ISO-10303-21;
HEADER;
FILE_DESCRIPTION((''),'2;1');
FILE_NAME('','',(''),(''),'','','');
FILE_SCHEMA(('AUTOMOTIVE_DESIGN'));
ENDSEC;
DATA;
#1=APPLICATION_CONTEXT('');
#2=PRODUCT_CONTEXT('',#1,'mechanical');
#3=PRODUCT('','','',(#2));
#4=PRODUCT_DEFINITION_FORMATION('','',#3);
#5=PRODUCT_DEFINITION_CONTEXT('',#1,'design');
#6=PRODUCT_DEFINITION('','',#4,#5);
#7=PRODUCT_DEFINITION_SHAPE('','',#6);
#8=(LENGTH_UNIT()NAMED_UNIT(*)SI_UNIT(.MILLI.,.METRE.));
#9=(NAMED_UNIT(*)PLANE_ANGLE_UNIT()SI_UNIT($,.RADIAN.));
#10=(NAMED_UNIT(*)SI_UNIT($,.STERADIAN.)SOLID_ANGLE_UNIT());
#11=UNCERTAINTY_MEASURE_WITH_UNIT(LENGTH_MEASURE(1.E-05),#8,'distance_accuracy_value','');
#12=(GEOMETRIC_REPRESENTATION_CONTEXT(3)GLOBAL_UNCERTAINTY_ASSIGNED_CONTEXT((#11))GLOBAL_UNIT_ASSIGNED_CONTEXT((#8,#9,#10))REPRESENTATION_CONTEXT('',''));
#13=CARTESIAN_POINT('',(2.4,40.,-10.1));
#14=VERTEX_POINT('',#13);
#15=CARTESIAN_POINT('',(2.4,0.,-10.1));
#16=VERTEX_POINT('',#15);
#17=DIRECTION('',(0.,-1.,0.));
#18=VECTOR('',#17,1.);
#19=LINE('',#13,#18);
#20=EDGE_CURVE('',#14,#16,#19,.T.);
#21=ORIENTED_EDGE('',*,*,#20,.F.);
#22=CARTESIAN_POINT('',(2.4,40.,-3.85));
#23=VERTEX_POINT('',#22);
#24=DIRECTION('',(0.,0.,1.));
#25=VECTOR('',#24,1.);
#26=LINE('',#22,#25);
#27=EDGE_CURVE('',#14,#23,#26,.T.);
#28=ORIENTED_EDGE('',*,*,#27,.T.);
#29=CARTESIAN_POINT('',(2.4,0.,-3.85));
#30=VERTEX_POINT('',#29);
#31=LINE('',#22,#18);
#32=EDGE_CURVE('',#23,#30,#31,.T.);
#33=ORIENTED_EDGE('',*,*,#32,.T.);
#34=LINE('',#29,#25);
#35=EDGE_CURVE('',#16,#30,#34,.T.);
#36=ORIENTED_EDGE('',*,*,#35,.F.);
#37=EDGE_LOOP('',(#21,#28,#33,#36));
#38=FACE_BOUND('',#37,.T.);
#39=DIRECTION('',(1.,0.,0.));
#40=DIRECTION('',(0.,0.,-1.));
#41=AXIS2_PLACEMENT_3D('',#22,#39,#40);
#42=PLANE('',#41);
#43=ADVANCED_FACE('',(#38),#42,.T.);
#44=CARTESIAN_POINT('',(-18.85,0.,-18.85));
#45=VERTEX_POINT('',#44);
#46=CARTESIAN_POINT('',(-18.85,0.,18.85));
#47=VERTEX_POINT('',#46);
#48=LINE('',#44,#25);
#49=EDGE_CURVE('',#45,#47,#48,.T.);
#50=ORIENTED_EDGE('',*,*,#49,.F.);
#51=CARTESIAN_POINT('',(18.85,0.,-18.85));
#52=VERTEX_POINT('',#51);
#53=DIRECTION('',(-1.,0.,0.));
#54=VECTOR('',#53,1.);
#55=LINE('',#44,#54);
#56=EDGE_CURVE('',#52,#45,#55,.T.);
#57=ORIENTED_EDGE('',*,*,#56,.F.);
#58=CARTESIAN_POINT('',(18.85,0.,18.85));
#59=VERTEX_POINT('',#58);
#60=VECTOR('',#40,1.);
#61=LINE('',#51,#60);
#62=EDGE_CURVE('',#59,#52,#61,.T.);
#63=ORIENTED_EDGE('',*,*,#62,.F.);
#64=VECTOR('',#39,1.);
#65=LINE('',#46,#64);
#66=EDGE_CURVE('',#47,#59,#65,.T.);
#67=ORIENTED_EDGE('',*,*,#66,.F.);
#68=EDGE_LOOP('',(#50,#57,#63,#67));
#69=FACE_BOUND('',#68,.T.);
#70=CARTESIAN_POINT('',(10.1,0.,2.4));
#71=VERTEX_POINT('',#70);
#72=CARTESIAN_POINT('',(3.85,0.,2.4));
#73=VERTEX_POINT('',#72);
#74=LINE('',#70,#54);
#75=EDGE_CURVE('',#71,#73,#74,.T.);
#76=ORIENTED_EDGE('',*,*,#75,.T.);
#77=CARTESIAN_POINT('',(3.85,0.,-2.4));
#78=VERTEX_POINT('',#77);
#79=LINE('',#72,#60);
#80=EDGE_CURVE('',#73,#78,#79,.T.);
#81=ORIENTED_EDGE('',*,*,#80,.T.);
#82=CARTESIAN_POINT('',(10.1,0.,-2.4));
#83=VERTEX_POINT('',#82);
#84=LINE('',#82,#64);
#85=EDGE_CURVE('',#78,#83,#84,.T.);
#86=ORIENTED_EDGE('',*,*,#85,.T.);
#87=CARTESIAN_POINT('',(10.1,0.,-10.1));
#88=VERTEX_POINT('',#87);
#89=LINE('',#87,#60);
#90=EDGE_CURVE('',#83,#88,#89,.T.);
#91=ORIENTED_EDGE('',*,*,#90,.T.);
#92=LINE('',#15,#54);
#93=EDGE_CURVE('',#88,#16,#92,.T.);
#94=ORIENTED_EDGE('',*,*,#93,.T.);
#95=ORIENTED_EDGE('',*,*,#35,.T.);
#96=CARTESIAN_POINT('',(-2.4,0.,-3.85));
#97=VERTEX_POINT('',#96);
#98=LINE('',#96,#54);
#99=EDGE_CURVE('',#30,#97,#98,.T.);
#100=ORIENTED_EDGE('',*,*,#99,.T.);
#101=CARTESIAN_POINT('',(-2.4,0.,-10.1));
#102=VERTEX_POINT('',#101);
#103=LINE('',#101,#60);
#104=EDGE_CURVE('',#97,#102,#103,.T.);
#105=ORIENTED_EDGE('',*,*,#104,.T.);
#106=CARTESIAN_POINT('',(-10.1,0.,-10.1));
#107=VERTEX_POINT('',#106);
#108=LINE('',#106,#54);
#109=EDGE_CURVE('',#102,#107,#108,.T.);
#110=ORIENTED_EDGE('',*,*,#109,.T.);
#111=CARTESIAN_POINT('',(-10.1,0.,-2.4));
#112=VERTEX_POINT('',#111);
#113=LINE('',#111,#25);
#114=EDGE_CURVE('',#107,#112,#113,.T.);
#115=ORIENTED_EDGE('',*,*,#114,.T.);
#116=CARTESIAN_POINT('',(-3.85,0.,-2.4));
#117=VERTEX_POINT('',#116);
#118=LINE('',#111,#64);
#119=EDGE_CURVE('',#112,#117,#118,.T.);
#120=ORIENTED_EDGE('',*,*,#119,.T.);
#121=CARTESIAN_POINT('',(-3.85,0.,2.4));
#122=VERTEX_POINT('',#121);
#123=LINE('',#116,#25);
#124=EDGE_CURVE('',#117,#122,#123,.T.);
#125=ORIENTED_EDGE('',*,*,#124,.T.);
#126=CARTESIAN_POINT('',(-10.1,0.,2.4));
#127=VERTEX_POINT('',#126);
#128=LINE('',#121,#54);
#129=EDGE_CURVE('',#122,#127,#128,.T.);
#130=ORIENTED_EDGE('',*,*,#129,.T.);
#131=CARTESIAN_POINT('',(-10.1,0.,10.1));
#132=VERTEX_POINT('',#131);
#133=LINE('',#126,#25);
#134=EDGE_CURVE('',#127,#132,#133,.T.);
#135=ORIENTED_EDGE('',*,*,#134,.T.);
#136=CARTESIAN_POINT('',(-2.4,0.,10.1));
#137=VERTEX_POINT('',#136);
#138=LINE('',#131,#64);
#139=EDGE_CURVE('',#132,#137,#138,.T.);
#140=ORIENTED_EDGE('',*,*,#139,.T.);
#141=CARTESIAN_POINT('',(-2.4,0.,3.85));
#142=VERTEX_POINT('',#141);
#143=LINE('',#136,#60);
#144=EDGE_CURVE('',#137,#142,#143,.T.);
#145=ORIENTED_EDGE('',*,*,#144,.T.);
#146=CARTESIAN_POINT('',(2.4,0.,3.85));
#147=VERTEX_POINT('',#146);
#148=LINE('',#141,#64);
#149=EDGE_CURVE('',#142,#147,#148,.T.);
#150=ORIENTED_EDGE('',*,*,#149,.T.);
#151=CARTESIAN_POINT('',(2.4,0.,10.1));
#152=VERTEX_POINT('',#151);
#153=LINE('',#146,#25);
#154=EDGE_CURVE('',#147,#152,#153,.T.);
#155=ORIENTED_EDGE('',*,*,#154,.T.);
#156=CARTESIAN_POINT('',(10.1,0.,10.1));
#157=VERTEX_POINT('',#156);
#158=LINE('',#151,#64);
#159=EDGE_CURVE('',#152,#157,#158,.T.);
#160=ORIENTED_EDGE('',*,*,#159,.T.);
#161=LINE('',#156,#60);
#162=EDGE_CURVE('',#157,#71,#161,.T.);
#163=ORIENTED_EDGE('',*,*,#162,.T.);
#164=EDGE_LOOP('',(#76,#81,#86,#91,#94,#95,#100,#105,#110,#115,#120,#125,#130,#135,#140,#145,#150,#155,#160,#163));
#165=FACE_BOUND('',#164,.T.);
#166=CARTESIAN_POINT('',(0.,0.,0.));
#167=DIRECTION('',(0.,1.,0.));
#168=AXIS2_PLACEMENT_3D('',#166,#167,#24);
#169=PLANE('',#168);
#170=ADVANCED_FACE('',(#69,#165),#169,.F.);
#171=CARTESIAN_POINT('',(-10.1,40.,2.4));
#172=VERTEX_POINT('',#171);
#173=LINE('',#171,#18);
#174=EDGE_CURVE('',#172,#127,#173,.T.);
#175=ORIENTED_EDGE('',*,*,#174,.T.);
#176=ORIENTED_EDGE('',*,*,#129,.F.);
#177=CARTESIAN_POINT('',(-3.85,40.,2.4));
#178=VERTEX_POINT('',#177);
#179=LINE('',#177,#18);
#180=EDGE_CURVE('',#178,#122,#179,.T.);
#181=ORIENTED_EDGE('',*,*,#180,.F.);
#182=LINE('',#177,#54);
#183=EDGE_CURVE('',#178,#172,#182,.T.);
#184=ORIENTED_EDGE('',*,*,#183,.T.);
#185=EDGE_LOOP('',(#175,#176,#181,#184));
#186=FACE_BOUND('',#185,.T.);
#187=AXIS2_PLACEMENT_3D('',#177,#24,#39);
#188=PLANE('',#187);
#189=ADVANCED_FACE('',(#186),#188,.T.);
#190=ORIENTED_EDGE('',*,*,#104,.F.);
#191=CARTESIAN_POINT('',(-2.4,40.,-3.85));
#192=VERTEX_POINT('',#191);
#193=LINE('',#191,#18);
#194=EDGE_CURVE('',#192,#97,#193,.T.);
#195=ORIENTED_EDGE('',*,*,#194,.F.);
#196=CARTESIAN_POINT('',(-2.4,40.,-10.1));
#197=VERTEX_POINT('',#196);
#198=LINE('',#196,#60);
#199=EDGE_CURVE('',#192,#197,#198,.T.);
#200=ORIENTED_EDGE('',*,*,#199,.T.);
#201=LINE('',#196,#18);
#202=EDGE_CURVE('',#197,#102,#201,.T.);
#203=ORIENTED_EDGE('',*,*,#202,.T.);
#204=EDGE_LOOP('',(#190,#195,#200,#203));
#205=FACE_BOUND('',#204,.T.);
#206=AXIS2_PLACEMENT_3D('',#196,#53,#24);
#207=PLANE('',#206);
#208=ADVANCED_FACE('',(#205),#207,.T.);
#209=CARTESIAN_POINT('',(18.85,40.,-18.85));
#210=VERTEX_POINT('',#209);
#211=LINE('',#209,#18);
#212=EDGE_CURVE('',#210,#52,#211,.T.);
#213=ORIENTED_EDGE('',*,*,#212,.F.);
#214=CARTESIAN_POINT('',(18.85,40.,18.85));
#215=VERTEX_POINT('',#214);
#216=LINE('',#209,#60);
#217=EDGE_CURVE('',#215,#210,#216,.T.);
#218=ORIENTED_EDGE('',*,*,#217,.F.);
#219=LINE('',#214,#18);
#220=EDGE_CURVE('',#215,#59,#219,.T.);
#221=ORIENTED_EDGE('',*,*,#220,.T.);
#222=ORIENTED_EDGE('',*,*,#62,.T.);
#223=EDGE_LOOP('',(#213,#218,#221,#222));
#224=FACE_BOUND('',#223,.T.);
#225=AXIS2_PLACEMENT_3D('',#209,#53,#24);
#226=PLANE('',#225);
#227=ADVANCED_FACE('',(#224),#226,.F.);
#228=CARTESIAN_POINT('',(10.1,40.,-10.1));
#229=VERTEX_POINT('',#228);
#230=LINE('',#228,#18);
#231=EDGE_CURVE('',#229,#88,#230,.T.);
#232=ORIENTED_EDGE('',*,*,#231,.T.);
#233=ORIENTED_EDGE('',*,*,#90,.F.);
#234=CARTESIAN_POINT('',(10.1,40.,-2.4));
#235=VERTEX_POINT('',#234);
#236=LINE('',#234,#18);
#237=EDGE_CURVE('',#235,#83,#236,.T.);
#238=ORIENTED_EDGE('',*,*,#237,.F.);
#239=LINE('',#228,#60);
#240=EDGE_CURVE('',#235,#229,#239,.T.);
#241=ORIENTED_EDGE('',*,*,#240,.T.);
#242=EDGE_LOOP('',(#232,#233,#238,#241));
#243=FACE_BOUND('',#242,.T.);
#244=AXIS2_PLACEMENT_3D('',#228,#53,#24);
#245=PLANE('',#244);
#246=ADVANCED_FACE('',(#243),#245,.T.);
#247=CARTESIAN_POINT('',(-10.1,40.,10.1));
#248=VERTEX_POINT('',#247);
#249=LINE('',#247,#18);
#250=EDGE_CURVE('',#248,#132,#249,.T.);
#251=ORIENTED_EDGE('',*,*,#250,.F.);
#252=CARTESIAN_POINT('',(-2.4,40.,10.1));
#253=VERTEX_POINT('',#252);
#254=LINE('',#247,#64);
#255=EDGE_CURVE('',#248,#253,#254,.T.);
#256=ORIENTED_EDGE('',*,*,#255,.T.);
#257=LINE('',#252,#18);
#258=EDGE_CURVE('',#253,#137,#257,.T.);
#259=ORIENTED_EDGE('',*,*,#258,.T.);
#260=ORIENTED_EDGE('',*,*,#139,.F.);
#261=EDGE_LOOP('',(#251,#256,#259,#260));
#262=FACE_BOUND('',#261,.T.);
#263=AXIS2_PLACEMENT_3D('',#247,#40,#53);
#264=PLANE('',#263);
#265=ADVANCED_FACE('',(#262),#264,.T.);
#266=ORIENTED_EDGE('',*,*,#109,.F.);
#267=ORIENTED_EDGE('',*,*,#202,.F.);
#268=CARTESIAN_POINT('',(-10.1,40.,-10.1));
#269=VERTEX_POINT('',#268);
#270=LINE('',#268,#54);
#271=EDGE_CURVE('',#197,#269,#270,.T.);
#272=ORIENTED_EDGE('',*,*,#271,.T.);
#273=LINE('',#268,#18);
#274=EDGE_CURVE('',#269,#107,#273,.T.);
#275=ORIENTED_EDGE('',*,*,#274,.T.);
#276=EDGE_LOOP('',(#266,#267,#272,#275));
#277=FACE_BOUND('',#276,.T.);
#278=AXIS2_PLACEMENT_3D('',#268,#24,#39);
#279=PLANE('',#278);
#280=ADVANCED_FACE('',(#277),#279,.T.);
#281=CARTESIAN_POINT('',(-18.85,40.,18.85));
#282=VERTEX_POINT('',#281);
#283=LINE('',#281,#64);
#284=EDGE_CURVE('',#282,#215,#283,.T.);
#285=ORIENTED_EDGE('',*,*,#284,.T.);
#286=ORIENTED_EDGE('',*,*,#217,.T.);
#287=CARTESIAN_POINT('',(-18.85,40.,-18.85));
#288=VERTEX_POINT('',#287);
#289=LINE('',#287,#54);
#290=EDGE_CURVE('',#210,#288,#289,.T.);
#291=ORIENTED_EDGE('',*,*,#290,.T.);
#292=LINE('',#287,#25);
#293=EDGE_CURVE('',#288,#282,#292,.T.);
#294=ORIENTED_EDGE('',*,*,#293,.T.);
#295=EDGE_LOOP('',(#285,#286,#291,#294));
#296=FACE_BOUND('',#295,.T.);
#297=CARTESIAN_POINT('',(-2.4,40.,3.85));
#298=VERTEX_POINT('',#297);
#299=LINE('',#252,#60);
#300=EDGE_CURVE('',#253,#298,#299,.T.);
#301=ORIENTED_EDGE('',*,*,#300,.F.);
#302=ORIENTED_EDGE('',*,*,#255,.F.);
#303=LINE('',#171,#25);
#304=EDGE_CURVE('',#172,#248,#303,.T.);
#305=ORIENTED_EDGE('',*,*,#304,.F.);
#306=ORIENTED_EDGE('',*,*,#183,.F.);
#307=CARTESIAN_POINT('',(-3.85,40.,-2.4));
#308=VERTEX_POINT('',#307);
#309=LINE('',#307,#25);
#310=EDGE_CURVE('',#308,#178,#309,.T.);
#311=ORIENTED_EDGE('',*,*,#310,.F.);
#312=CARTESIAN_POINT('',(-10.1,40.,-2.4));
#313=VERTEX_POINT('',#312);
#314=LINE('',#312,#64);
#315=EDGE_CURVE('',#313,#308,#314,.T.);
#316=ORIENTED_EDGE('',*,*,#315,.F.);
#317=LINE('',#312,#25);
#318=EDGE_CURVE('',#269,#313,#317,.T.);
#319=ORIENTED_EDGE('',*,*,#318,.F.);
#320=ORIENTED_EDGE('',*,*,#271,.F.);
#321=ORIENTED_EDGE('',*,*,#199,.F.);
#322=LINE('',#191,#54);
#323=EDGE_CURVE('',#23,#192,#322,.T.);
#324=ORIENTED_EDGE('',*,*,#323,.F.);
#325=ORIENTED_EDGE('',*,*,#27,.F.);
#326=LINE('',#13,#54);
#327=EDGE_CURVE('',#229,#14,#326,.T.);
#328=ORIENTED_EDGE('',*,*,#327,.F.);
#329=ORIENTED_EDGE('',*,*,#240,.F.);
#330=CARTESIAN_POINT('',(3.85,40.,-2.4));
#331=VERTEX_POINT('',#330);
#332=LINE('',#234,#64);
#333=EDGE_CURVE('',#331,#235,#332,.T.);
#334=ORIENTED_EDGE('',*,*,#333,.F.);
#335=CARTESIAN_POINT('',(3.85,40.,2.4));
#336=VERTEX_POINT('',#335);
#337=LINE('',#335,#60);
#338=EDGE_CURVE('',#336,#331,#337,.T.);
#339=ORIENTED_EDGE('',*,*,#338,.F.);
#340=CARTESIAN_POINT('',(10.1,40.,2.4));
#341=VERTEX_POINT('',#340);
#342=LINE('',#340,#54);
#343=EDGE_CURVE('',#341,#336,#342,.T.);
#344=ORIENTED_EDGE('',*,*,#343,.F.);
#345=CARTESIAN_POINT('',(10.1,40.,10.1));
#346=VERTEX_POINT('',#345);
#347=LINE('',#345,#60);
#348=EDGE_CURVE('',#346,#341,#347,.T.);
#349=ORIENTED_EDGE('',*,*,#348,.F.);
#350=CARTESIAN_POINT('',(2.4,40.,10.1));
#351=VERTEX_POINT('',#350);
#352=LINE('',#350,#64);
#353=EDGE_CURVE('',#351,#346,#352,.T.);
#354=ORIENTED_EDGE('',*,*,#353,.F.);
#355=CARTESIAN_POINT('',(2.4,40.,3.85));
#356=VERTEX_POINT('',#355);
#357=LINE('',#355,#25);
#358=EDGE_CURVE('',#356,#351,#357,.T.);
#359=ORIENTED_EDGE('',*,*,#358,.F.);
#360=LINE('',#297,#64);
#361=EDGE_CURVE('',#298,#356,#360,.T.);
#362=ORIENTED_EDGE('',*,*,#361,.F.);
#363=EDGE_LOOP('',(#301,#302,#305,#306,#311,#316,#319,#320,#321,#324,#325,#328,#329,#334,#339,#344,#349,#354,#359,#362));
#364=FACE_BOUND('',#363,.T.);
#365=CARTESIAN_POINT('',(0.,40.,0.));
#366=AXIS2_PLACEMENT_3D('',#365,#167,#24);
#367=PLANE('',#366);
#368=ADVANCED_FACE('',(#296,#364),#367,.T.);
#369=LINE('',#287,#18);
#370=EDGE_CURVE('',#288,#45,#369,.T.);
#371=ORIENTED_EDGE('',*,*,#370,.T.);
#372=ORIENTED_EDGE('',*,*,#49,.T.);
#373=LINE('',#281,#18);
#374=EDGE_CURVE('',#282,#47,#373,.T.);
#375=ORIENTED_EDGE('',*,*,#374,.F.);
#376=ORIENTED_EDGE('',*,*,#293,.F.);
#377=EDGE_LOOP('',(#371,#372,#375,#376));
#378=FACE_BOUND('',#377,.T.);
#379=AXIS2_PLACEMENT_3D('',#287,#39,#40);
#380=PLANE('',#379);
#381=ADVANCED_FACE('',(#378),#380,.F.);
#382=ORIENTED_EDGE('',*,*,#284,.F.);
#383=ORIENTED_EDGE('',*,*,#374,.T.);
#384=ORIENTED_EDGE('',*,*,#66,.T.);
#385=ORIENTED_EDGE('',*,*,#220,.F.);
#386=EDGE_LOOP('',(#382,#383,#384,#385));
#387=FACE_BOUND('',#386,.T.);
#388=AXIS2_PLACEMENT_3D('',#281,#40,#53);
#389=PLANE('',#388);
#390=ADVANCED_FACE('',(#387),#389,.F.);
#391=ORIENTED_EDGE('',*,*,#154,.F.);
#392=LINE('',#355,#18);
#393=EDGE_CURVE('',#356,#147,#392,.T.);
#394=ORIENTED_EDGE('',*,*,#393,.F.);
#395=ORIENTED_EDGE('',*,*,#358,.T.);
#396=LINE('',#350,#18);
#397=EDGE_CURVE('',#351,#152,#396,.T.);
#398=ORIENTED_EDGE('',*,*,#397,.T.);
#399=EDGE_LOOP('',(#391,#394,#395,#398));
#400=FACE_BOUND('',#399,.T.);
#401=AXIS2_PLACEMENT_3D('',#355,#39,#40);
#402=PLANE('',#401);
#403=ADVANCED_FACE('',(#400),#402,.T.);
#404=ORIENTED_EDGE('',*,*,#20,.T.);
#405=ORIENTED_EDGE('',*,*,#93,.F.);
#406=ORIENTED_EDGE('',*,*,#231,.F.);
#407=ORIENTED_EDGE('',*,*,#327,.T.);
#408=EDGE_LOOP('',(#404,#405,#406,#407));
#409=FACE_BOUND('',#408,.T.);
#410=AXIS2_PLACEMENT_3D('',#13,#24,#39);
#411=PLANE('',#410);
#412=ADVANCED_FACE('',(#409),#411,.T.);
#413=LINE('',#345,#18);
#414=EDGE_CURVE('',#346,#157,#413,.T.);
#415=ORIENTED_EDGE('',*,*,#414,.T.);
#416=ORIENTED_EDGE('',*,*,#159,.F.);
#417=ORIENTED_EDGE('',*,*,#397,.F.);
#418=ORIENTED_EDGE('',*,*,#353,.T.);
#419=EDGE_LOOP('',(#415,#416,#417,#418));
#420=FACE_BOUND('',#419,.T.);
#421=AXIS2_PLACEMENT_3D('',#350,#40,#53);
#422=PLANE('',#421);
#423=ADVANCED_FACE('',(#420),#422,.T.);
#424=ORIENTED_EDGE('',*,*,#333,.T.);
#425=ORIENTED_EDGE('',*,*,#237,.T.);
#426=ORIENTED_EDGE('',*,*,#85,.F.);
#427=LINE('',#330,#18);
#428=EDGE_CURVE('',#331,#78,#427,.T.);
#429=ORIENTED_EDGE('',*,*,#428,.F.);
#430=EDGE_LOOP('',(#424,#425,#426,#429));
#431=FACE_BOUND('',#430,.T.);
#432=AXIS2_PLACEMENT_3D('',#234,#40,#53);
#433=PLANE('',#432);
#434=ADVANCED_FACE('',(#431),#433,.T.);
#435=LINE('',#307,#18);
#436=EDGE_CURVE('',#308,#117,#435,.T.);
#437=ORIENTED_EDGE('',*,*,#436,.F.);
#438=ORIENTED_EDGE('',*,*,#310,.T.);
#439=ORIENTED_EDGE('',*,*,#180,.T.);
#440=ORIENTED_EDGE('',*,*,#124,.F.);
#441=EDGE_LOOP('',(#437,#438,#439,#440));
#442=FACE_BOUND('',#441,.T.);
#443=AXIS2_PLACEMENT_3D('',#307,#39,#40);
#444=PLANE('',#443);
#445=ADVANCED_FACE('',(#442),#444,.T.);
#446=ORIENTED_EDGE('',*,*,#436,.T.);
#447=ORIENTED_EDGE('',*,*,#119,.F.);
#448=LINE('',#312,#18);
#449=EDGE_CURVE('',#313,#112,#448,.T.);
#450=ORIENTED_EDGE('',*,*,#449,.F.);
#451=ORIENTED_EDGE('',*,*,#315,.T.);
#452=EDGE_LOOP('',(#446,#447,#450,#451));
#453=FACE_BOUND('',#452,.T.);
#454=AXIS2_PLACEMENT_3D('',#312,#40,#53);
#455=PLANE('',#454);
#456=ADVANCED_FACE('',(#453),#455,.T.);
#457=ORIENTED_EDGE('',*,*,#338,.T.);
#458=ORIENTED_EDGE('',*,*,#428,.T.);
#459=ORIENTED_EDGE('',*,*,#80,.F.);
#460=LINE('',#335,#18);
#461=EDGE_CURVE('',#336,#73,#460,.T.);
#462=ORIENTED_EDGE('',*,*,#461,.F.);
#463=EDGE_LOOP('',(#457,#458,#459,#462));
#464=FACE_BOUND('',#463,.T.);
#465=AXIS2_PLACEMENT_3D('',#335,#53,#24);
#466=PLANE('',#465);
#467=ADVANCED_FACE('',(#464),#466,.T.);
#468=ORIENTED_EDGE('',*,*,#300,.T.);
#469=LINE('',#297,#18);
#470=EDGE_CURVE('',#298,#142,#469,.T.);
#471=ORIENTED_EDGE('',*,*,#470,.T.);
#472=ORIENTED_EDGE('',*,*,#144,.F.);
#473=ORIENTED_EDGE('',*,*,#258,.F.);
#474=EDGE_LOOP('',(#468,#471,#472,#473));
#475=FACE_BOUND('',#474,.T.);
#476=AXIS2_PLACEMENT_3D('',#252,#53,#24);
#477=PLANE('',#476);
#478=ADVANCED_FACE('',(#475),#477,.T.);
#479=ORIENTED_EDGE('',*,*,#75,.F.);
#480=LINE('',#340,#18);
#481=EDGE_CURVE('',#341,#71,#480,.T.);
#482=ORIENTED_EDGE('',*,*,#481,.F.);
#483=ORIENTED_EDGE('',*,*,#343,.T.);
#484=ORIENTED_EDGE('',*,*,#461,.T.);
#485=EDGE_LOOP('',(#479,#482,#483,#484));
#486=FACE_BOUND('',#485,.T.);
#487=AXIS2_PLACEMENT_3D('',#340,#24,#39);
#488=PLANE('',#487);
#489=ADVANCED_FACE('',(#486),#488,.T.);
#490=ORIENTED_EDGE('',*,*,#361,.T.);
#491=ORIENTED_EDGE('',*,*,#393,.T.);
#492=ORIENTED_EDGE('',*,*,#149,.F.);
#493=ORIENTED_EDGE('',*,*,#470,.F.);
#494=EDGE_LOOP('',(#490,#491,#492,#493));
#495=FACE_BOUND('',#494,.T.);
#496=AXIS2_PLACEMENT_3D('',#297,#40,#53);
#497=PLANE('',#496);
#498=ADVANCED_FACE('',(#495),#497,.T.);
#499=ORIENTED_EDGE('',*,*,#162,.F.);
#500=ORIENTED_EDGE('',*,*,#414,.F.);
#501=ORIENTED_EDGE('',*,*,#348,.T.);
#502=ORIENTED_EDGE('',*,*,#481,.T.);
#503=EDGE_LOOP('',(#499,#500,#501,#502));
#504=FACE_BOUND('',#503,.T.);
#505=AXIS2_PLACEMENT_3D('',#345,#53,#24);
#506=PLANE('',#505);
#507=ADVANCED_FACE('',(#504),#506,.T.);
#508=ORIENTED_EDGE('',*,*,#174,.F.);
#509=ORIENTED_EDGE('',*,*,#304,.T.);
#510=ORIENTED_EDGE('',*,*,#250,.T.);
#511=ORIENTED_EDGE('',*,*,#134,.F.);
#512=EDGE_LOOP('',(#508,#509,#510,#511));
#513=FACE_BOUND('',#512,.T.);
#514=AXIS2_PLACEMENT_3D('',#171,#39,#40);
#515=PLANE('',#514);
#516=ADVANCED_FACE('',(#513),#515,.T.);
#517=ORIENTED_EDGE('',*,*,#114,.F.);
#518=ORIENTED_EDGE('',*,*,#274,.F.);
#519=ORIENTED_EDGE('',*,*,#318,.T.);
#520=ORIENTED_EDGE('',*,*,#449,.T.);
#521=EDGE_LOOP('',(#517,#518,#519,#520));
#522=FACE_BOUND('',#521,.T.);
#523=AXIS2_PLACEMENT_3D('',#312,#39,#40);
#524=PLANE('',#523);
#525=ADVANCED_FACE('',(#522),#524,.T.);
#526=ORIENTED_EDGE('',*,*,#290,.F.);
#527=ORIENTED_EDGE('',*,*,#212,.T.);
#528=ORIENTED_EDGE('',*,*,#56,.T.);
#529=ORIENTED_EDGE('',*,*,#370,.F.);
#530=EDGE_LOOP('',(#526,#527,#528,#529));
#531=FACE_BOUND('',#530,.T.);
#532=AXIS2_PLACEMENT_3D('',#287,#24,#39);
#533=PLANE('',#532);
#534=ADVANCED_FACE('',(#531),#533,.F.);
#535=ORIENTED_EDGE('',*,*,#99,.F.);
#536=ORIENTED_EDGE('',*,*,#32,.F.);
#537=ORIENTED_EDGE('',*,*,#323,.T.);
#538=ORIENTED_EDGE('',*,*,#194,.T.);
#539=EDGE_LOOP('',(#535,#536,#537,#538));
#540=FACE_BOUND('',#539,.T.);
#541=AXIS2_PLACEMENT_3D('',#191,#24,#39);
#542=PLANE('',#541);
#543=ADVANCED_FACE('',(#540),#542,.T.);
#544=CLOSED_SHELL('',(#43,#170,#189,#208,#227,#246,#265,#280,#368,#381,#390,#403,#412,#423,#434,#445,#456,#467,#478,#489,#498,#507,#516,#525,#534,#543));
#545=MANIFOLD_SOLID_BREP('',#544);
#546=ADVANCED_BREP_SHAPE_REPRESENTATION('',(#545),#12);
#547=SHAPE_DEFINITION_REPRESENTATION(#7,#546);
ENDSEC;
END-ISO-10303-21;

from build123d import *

# Parameters (mm, degrees)
ESQUISSE1_W        = 37.7
ESQUISSE1_H        = 37.7
BOSS_EXTRU_1_DEPTH = 40


with BuildPart() as part:
    # Esquisse1 → Boss.-Extru.1 (new body)
    with BuildSketch(Plane(origin=(0, 0, 0), x_dir=(1, 0, 0), z_dir=(0, 1, 0))):
        Rectangle(ESQUISSE1_W, ESQUISSE1_H)
        Polygon((-10.1, 10.1), (-2.4, 10.1), (-2.4, 3.85), (2.4, 3.85), (2.4, 10.1), (10.1, 10.1), (10.1, 2.4), (3.85, 2.4), (3.85, -2.4), (10.1, -2.4), (10.1, -10.1), (2.4, -10.1), (2.4, -3.85), (-2.4, -3.85), (-2.4, -10.1), (-10.1, -10.1), (-10.1, -2.4), (-3.85, -2.4), (-3.85, 2.4), (-10.1, 2.4), align=None, mode=Mode.SUBTRACT)
    boss_extru_1 = extrude(amount=BOSS_EXTRU_1_DEPTH)


with BuildPart() as sym_trie1_1:
    # Symétrie1: Boss.-Extru.1 across plane
    add(boss_extru_1.mirror(Plane.XY))


with BuildPart() as part_1:
    add(part.part)

    # Symétrie1 united with what the copies to: union Symétrie1_1
    add(sym_trie1_1.part)


solid = part_1.part
